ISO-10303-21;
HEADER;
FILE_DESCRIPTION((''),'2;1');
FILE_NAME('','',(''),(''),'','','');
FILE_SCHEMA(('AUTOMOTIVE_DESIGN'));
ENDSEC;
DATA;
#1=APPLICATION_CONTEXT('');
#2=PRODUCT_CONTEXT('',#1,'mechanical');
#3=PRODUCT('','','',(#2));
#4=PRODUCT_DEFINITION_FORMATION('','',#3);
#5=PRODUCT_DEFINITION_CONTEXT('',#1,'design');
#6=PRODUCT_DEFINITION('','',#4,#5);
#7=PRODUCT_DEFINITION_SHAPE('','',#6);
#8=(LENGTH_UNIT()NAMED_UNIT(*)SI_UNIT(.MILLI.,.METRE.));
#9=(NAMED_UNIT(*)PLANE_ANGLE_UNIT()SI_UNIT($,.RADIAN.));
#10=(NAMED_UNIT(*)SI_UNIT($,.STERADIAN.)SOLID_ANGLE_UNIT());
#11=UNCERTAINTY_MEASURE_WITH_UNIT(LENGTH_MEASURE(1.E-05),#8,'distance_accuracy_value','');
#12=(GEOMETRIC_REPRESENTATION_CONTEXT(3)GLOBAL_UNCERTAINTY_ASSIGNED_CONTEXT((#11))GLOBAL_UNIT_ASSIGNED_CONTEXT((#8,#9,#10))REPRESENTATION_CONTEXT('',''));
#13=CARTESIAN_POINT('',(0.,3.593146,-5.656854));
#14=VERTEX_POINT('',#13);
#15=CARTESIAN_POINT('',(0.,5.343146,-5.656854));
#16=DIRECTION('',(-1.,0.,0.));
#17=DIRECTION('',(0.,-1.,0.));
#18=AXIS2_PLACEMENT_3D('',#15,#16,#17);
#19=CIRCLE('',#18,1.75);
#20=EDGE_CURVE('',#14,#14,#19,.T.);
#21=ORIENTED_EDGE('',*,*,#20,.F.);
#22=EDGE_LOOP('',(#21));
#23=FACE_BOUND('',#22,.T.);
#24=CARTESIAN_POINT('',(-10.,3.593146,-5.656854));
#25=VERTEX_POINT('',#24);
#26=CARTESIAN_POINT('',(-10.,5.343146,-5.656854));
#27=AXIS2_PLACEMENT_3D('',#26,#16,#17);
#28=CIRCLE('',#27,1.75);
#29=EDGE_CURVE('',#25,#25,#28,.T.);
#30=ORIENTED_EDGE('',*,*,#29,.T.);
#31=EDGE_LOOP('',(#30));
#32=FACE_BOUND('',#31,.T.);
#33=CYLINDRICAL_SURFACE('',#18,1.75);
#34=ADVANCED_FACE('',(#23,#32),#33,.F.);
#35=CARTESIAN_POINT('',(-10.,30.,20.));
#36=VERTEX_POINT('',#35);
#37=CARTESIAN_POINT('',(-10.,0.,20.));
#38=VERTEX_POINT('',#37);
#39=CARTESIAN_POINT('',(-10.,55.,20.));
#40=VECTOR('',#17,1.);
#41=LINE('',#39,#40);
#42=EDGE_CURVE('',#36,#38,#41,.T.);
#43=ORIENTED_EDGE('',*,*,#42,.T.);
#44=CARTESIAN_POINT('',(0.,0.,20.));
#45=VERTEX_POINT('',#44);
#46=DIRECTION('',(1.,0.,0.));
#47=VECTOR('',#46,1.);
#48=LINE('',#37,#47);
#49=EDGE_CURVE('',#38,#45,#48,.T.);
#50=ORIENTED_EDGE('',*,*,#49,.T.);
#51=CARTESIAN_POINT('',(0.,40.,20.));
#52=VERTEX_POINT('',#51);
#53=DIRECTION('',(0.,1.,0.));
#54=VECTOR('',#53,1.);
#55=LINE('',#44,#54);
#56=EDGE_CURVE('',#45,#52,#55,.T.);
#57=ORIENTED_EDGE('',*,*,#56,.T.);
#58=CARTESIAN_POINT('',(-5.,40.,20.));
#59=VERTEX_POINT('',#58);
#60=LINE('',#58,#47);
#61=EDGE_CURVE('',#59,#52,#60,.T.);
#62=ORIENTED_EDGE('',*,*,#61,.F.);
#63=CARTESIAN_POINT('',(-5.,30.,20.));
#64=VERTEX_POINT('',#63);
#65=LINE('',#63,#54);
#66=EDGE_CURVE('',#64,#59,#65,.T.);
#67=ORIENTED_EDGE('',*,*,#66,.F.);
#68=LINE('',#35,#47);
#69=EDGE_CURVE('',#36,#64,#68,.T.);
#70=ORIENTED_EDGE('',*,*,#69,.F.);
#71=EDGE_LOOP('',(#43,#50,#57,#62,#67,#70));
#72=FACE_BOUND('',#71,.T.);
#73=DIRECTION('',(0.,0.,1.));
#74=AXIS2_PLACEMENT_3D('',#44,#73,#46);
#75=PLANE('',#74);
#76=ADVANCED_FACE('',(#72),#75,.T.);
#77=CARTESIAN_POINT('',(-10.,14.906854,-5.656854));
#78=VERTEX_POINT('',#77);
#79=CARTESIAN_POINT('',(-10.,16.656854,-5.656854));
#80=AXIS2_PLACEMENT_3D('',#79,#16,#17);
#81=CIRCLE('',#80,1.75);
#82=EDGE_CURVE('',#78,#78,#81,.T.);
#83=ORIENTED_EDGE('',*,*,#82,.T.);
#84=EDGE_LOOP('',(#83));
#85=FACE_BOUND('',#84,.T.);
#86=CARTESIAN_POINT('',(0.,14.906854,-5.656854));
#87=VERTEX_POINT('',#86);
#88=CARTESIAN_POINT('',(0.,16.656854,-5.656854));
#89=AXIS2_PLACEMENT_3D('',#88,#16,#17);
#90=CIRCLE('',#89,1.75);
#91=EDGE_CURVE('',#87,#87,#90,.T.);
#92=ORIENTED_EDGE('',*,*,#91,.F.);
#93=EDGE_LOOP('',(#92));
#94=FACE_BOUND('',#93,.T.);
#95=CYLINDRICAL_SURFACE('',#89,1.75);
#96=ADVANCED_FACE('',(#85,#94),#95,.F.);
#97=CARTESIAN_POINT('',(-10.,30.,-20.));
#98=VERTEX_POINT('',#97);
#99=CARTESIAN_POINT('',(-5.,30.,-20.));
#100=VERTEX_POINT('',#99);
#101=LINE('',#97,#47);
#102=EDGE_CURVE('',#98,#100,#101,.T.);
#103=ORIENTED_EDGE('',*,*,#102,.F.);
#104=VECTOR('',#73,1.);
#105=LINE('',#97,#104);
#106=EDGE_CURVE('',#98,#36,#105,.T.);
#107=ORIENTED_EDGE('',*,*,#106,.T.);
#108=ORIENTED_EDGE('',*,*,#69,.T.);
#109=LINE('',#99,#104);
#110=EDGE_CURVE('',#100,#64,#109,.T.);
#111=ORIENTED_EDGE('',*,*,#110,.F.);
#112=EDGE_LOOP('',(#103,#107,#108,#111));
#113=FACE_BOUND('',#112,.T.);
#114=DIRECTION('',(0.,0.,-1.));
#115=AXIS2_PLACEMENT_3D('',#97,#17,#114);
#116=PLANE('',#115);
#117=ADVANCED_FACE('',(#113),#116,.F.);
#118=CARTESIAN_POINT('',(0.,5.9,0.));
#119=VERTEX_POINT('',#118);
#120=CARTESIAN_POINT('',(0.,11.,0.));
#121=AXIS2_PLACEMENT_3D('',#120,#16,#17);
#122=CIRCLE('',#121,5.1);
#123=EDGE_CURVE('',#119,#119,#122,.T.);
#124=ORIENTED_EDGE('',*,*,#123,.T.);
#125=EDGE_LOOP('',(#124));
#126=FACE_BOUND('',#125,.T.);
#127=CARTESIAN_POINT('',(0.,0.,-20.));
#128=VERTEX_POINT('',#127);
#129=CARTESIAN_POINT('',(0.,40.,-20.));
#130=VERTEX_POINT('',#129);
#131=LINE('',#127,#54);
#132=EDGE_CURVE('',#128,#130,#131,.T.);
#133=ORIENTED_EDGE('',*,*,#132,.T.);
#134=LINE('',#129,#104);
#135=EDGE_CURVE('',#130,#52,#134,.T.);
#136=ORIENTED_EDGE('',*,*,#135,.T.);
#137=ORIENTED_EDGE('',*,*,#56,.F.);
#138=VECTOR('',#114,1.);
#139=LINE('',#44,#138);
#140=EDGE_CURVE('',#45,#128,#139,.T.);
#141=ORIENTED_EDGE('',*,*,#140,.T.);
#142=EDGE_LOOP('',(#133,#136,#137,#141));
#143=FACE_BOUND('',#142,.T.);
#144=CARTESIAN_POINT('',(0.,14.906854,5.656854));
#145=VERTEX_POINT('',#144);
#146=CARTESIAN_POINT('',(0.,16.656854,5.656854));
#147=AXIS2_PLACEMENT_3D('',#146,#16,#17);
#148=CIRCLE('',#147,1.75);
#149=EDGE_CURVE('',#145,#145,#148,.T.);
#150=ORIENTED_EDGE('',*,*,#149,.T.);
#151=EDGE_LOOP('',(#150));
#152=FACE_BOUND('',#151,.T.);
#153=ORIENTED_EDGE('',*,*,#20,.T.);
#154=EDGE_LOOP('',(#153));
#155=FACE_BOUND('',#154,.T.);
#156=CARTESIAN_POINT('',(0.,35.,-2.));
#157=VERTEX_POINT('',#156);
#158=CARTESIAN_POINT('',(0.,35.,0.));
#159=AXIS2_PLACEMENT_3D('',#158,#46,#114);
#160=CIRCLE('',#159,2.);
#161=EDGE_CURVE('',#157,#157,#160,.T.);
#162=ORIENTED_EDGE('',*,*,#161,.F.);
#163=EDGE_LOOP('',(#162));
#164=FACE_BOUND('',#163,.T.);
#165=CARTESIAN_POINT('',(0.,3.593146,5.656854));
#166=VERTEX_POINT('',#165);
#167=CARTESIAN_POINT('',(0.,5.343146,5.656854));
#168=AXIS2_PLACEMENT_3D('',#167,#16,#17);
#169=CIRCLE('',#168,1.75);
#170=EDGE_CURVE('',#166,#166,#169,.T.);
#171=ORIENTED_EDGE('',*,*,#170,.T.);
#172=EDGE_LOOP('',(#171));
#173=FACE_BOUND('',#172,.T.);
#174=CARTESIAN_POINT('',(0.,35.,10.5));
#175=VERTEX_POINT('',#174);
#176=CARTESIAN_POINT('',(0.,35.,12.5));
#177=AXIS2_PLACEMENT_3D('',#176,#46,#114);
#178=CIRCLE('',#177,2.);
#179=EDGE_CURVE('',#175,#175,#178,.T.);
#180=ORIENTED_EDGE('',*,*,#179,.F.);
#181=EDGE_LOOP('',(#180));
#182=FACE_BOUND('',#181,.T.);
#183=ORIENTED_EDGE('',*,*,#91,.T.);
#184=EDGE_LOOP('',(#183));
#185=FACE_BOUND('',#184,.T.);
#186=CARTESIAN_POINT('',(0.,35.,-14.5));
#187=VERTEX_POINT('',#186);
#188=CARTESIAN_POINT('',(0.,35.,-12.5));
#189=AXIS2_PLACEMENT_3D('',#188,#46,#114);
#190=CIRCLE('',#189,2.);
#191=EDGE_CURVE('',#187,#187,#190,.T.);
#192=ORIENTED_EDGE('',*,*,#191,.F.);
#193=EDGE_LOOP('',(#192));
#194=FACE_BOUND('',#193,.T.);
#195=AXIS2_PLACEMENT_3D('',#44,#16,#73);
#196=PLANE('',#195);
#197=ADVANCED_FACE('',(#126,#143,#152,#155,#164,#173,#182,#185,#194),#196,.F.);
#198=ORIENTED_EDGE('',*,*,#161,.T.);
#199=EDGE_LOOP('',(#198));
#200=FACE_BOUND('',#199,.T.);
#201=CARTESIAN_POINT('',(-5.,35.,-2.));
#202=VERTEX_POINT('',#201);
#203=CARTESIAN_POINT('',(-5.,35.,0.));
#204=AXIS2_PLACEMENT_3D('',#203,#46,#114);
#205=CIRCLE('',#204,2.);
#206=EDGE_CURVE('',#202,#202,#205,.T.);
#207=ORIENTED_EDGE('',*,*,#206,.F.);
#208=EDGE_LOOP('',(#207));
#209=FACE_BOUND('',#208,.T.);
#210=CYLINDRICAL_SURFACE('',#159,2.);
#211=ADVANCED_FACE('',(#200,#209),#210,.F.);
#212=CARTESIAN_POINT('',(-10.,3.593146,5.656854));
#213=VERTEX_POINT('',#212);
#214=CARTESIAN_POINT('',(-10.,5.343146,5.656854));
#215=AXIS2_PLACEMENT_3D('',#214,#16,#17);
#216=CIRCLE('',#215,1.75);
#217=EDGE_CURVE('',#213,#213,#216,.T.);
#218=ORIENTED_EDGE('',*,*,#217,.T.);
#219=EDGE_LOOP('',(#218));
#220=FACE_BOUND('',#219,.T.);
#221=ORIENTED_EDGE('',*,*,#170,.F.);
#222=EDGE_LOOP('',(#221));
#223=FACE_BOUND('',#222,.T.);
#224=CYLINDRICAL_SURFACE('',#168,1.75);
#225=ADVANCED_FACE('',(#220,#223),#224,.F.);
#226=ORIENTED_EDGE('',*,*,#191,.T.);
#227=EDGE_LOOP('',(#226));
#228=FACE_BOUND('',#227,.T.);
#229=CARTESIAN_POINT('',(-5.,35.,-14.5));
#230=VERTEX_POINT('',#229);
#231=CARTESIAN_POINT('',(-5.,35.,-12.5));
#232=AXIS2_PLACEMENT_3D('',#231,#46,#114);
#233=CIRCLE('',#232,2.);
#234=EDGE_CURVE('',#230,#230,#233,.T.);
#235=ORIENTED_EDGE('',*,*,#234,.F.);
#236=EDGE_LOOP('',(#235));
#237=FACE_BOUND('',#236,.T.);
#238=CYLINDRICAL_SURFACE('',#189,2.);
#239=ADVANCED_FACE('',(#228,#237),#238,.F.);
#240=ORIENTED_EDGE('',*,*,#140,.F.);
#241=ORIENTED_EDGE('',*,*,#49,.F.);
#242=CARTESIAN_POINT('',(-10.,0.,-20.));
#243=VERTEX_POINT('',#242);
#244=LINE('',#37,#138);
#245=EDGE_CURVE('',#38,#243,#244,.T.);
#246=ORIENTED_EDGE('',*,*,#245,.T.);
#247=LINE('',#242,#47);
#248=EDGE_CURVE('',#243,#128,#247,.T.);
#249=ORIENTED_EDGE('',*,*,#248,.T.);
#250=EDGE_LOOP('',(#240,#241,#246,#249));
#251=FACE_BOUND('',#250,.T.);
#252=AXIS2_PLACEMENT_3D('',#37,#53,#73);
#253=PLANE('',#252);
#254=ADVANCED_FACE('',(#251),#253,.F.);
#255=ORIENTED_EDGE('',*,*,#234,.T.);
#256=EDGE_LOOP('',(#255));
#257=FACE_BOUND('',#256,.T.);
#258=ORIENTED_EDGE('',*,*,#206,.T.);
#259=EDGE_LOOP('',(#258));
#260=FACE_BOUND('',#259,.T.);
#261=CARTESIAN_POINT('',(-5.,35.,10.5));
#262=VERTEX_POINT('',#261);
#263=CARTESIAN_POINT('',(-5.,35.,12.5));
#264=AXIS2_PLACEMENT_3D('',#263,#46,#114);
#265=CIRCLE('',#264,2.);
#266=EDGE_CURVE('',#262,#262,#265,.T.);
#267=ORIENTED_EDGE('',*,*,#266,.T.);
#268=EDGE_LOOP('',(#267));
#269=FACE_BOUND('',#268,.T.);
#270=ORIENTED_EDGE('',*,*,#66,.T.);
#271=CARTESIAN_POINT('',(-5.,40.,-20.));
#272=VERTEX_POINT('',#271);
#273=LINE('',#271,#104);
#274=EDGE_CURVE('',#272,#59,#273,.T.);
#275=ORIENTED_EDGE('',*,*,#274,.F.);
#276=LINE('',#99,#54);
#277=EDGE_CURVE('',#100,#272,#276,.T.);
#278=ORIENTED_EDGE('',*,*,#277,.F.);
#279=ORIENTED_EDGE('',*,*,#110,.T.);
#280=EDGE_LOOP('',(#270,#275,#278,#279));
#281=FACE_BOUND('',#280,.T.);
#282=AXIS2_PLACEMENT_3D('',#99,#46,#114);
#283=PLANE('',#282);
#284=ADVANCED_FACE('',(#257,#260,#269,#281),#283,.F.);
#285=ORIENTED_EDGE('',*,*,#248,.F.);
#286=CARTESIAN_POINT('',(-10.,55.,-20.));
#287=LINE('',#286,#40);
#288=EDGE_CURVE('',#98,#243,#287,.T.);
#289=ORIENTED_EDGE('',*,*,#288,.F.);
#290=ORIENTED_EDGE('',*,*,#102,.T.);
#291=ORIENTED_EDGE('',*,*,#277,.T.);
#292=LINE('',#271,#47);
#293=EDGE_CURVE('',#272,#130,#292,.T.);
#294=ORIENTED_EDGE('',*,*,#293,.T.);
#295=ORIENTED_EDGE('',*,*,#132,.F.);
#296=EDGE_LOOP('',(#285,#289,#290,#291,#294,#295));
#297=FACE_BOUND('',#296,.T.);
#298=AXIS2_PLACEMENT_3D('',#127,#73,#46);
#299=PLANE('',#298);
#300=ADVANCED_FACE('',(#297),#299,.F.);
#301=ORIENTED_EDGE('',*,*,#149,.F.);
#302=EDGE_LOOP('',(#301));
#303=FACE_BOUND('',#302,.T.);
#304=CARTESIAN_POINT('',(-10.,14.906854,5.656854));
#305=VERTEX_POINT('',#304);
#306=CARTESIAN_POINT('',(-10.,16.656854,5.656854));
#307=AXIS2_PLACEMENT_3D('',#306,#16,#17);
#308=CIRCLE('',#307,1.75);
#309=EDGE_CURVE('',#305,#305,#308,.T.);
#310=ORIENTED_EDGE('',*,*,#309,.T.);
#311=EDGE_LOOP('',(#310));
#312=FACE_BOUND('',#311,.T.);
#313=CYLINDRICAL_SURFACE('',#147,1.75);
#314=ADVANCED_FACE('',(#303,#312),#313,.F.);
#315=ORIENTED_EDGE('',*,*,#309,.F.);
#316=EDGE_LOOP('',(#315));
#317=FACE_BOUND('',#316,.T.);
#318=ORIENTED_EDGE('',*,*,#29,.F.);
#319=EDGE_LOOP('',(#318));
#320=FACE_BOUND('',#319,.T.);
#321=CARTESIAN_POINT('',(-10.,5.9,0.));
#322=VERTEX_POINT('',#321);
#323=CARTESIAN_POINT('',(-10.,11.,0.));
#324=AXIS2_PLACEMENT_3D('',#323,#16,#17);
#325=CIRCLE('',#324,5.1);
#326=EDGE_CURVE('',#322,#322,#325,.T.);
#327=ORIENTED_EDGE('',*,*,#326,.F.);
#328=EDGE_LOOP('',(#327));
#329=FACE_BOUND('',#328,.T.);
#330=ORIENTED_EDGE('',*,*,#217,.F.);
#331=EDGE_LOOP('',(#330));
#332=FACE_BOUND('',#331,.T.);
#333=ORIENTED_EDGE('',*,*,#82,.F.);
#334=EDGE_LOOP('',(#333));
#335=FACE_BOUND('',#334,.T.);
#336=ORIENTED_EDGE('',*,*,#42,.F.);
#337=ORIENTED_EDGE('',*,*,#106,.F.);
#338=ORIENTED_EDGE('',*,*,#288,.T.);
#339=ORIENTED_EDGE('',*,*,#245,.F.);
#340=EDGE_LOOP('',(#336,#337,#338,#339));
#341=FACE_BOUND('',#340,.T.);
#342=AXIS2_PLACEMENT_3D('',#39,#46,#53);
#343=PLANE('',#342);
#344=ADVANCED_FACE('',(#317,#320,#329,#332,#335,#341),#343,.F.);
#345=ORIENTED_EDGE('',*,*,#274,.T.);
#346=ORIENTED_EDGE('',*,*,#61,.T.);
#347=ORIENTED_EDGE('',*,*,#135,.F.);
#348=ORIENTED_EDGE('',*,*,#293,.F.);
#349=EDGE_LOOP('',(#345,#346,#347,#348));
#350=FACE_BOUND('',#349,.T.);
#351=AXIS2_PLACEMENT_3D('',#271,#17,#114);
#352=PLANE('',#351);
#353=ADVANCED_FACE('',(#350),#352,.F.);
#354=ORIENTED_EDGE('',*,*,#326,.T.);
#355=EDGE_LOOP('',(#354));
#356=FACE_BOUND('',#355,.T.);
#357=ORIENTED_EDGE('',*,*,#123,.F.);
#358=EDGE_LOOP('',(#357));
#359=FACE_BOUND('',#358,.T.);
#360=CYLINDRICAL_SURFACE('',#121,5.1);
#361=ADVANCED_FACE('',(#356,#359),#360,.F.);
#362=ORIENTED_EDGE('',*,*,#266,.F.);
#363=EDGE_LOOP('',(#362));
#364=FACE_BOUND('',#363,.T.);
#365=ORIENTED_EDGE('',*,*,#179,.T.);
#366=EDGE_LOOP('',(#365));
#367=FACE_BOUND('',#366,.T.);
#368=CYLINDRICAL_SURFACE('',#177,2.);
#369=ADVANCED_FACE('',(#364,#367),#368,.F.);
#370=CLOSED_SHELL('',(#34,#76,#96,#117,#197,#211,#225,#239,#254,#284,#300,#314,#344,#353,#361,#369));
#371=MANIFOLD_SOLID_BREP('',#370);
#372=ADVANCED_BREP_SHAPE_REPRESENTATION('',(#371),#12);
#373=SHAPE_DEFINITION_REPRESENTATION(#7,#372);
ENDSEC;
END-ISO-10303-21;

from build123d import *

# Parameters (mm, degrees)
BOSS_EXTRUDE1_DEPTH      = 20
SKETCH2_R                = 5.1
SKETCH2_R_2              = 1.75
CUT_EXTRUDE1_DEPTH       = 79.89866919
CUT_EXTRUDE2_DEPTH       = 92.241437954
F_4_0_4_DIAMETER_HOLE1_D = 4


with BuildPart() as part:
    # Sketch1 → Boss-Extrude1 (new, symmetric)
    with BuildSketch(Plane.XY):
        Polygon((0, 0), (0, 65), (-50, 65), (-50, 55), (-10, 55), (-10, 0), align=None)
    extrude(amount=BOSS_EXTRUDE1_DEPTH, both=True)

    # Sketch2 → Cut-Extrude1 (cut, through all)
    with BuildSketch(Plane.ZY.offset(10)):
        with Locations(Location((0, 11, 0), (0, 0, 270))):
            Circle(SKETCH2_R)
        with Locations(Location((5.656854249, 16.656854249, 0), (0, 0, 270))):
            Circle(SKETCH2_R_2)
        with Locations(Location((5.656854249, 5.343145751, 0), (0, 0, 270))):
            Circle(SKETCH2_R_2)
        with Locations(Location((-5.656854249, 16.656854249, 0), (0, 0, 270))):
            Circle(SKETCH2_R_2)
        with Locations(Location((-5.656854249, 5.343145751, 0), (0, 0, 270))):
            Circle(SKETCH2_R_2)
    extrude(amount=-CUT_EXTRUDE1_DEPTH, mode=Mode.SUBTRACT)

    # Sketch3 → Cut-Extrude2 (cut, through all)
    with BuildSketch(Plane.XY.offset(20)):
        Polygon((-50, 65), (0, 65), (0, 40), (-5, 40), (-5, 30), (-10, 30), (-10, 55), (-50, 55), align=None)
    extrude(amount=-CUT_EXTRUDE2_DEPTH, mode=Mode.SUBTRACT)

    # Ø4.0 (4) Diameter Hole1 (through all)
    with Locations(Plane(origin=(0, 0, 0), x_dir=(0, 0, -1), z_dir=(1, 0, 0))):
        with Locations((-12.5, 35), (0, 35), (12.5, 35)):
            Hole(F_4_0_4_DIAMETER_HOLE1_D / 2)


solid = part.part
